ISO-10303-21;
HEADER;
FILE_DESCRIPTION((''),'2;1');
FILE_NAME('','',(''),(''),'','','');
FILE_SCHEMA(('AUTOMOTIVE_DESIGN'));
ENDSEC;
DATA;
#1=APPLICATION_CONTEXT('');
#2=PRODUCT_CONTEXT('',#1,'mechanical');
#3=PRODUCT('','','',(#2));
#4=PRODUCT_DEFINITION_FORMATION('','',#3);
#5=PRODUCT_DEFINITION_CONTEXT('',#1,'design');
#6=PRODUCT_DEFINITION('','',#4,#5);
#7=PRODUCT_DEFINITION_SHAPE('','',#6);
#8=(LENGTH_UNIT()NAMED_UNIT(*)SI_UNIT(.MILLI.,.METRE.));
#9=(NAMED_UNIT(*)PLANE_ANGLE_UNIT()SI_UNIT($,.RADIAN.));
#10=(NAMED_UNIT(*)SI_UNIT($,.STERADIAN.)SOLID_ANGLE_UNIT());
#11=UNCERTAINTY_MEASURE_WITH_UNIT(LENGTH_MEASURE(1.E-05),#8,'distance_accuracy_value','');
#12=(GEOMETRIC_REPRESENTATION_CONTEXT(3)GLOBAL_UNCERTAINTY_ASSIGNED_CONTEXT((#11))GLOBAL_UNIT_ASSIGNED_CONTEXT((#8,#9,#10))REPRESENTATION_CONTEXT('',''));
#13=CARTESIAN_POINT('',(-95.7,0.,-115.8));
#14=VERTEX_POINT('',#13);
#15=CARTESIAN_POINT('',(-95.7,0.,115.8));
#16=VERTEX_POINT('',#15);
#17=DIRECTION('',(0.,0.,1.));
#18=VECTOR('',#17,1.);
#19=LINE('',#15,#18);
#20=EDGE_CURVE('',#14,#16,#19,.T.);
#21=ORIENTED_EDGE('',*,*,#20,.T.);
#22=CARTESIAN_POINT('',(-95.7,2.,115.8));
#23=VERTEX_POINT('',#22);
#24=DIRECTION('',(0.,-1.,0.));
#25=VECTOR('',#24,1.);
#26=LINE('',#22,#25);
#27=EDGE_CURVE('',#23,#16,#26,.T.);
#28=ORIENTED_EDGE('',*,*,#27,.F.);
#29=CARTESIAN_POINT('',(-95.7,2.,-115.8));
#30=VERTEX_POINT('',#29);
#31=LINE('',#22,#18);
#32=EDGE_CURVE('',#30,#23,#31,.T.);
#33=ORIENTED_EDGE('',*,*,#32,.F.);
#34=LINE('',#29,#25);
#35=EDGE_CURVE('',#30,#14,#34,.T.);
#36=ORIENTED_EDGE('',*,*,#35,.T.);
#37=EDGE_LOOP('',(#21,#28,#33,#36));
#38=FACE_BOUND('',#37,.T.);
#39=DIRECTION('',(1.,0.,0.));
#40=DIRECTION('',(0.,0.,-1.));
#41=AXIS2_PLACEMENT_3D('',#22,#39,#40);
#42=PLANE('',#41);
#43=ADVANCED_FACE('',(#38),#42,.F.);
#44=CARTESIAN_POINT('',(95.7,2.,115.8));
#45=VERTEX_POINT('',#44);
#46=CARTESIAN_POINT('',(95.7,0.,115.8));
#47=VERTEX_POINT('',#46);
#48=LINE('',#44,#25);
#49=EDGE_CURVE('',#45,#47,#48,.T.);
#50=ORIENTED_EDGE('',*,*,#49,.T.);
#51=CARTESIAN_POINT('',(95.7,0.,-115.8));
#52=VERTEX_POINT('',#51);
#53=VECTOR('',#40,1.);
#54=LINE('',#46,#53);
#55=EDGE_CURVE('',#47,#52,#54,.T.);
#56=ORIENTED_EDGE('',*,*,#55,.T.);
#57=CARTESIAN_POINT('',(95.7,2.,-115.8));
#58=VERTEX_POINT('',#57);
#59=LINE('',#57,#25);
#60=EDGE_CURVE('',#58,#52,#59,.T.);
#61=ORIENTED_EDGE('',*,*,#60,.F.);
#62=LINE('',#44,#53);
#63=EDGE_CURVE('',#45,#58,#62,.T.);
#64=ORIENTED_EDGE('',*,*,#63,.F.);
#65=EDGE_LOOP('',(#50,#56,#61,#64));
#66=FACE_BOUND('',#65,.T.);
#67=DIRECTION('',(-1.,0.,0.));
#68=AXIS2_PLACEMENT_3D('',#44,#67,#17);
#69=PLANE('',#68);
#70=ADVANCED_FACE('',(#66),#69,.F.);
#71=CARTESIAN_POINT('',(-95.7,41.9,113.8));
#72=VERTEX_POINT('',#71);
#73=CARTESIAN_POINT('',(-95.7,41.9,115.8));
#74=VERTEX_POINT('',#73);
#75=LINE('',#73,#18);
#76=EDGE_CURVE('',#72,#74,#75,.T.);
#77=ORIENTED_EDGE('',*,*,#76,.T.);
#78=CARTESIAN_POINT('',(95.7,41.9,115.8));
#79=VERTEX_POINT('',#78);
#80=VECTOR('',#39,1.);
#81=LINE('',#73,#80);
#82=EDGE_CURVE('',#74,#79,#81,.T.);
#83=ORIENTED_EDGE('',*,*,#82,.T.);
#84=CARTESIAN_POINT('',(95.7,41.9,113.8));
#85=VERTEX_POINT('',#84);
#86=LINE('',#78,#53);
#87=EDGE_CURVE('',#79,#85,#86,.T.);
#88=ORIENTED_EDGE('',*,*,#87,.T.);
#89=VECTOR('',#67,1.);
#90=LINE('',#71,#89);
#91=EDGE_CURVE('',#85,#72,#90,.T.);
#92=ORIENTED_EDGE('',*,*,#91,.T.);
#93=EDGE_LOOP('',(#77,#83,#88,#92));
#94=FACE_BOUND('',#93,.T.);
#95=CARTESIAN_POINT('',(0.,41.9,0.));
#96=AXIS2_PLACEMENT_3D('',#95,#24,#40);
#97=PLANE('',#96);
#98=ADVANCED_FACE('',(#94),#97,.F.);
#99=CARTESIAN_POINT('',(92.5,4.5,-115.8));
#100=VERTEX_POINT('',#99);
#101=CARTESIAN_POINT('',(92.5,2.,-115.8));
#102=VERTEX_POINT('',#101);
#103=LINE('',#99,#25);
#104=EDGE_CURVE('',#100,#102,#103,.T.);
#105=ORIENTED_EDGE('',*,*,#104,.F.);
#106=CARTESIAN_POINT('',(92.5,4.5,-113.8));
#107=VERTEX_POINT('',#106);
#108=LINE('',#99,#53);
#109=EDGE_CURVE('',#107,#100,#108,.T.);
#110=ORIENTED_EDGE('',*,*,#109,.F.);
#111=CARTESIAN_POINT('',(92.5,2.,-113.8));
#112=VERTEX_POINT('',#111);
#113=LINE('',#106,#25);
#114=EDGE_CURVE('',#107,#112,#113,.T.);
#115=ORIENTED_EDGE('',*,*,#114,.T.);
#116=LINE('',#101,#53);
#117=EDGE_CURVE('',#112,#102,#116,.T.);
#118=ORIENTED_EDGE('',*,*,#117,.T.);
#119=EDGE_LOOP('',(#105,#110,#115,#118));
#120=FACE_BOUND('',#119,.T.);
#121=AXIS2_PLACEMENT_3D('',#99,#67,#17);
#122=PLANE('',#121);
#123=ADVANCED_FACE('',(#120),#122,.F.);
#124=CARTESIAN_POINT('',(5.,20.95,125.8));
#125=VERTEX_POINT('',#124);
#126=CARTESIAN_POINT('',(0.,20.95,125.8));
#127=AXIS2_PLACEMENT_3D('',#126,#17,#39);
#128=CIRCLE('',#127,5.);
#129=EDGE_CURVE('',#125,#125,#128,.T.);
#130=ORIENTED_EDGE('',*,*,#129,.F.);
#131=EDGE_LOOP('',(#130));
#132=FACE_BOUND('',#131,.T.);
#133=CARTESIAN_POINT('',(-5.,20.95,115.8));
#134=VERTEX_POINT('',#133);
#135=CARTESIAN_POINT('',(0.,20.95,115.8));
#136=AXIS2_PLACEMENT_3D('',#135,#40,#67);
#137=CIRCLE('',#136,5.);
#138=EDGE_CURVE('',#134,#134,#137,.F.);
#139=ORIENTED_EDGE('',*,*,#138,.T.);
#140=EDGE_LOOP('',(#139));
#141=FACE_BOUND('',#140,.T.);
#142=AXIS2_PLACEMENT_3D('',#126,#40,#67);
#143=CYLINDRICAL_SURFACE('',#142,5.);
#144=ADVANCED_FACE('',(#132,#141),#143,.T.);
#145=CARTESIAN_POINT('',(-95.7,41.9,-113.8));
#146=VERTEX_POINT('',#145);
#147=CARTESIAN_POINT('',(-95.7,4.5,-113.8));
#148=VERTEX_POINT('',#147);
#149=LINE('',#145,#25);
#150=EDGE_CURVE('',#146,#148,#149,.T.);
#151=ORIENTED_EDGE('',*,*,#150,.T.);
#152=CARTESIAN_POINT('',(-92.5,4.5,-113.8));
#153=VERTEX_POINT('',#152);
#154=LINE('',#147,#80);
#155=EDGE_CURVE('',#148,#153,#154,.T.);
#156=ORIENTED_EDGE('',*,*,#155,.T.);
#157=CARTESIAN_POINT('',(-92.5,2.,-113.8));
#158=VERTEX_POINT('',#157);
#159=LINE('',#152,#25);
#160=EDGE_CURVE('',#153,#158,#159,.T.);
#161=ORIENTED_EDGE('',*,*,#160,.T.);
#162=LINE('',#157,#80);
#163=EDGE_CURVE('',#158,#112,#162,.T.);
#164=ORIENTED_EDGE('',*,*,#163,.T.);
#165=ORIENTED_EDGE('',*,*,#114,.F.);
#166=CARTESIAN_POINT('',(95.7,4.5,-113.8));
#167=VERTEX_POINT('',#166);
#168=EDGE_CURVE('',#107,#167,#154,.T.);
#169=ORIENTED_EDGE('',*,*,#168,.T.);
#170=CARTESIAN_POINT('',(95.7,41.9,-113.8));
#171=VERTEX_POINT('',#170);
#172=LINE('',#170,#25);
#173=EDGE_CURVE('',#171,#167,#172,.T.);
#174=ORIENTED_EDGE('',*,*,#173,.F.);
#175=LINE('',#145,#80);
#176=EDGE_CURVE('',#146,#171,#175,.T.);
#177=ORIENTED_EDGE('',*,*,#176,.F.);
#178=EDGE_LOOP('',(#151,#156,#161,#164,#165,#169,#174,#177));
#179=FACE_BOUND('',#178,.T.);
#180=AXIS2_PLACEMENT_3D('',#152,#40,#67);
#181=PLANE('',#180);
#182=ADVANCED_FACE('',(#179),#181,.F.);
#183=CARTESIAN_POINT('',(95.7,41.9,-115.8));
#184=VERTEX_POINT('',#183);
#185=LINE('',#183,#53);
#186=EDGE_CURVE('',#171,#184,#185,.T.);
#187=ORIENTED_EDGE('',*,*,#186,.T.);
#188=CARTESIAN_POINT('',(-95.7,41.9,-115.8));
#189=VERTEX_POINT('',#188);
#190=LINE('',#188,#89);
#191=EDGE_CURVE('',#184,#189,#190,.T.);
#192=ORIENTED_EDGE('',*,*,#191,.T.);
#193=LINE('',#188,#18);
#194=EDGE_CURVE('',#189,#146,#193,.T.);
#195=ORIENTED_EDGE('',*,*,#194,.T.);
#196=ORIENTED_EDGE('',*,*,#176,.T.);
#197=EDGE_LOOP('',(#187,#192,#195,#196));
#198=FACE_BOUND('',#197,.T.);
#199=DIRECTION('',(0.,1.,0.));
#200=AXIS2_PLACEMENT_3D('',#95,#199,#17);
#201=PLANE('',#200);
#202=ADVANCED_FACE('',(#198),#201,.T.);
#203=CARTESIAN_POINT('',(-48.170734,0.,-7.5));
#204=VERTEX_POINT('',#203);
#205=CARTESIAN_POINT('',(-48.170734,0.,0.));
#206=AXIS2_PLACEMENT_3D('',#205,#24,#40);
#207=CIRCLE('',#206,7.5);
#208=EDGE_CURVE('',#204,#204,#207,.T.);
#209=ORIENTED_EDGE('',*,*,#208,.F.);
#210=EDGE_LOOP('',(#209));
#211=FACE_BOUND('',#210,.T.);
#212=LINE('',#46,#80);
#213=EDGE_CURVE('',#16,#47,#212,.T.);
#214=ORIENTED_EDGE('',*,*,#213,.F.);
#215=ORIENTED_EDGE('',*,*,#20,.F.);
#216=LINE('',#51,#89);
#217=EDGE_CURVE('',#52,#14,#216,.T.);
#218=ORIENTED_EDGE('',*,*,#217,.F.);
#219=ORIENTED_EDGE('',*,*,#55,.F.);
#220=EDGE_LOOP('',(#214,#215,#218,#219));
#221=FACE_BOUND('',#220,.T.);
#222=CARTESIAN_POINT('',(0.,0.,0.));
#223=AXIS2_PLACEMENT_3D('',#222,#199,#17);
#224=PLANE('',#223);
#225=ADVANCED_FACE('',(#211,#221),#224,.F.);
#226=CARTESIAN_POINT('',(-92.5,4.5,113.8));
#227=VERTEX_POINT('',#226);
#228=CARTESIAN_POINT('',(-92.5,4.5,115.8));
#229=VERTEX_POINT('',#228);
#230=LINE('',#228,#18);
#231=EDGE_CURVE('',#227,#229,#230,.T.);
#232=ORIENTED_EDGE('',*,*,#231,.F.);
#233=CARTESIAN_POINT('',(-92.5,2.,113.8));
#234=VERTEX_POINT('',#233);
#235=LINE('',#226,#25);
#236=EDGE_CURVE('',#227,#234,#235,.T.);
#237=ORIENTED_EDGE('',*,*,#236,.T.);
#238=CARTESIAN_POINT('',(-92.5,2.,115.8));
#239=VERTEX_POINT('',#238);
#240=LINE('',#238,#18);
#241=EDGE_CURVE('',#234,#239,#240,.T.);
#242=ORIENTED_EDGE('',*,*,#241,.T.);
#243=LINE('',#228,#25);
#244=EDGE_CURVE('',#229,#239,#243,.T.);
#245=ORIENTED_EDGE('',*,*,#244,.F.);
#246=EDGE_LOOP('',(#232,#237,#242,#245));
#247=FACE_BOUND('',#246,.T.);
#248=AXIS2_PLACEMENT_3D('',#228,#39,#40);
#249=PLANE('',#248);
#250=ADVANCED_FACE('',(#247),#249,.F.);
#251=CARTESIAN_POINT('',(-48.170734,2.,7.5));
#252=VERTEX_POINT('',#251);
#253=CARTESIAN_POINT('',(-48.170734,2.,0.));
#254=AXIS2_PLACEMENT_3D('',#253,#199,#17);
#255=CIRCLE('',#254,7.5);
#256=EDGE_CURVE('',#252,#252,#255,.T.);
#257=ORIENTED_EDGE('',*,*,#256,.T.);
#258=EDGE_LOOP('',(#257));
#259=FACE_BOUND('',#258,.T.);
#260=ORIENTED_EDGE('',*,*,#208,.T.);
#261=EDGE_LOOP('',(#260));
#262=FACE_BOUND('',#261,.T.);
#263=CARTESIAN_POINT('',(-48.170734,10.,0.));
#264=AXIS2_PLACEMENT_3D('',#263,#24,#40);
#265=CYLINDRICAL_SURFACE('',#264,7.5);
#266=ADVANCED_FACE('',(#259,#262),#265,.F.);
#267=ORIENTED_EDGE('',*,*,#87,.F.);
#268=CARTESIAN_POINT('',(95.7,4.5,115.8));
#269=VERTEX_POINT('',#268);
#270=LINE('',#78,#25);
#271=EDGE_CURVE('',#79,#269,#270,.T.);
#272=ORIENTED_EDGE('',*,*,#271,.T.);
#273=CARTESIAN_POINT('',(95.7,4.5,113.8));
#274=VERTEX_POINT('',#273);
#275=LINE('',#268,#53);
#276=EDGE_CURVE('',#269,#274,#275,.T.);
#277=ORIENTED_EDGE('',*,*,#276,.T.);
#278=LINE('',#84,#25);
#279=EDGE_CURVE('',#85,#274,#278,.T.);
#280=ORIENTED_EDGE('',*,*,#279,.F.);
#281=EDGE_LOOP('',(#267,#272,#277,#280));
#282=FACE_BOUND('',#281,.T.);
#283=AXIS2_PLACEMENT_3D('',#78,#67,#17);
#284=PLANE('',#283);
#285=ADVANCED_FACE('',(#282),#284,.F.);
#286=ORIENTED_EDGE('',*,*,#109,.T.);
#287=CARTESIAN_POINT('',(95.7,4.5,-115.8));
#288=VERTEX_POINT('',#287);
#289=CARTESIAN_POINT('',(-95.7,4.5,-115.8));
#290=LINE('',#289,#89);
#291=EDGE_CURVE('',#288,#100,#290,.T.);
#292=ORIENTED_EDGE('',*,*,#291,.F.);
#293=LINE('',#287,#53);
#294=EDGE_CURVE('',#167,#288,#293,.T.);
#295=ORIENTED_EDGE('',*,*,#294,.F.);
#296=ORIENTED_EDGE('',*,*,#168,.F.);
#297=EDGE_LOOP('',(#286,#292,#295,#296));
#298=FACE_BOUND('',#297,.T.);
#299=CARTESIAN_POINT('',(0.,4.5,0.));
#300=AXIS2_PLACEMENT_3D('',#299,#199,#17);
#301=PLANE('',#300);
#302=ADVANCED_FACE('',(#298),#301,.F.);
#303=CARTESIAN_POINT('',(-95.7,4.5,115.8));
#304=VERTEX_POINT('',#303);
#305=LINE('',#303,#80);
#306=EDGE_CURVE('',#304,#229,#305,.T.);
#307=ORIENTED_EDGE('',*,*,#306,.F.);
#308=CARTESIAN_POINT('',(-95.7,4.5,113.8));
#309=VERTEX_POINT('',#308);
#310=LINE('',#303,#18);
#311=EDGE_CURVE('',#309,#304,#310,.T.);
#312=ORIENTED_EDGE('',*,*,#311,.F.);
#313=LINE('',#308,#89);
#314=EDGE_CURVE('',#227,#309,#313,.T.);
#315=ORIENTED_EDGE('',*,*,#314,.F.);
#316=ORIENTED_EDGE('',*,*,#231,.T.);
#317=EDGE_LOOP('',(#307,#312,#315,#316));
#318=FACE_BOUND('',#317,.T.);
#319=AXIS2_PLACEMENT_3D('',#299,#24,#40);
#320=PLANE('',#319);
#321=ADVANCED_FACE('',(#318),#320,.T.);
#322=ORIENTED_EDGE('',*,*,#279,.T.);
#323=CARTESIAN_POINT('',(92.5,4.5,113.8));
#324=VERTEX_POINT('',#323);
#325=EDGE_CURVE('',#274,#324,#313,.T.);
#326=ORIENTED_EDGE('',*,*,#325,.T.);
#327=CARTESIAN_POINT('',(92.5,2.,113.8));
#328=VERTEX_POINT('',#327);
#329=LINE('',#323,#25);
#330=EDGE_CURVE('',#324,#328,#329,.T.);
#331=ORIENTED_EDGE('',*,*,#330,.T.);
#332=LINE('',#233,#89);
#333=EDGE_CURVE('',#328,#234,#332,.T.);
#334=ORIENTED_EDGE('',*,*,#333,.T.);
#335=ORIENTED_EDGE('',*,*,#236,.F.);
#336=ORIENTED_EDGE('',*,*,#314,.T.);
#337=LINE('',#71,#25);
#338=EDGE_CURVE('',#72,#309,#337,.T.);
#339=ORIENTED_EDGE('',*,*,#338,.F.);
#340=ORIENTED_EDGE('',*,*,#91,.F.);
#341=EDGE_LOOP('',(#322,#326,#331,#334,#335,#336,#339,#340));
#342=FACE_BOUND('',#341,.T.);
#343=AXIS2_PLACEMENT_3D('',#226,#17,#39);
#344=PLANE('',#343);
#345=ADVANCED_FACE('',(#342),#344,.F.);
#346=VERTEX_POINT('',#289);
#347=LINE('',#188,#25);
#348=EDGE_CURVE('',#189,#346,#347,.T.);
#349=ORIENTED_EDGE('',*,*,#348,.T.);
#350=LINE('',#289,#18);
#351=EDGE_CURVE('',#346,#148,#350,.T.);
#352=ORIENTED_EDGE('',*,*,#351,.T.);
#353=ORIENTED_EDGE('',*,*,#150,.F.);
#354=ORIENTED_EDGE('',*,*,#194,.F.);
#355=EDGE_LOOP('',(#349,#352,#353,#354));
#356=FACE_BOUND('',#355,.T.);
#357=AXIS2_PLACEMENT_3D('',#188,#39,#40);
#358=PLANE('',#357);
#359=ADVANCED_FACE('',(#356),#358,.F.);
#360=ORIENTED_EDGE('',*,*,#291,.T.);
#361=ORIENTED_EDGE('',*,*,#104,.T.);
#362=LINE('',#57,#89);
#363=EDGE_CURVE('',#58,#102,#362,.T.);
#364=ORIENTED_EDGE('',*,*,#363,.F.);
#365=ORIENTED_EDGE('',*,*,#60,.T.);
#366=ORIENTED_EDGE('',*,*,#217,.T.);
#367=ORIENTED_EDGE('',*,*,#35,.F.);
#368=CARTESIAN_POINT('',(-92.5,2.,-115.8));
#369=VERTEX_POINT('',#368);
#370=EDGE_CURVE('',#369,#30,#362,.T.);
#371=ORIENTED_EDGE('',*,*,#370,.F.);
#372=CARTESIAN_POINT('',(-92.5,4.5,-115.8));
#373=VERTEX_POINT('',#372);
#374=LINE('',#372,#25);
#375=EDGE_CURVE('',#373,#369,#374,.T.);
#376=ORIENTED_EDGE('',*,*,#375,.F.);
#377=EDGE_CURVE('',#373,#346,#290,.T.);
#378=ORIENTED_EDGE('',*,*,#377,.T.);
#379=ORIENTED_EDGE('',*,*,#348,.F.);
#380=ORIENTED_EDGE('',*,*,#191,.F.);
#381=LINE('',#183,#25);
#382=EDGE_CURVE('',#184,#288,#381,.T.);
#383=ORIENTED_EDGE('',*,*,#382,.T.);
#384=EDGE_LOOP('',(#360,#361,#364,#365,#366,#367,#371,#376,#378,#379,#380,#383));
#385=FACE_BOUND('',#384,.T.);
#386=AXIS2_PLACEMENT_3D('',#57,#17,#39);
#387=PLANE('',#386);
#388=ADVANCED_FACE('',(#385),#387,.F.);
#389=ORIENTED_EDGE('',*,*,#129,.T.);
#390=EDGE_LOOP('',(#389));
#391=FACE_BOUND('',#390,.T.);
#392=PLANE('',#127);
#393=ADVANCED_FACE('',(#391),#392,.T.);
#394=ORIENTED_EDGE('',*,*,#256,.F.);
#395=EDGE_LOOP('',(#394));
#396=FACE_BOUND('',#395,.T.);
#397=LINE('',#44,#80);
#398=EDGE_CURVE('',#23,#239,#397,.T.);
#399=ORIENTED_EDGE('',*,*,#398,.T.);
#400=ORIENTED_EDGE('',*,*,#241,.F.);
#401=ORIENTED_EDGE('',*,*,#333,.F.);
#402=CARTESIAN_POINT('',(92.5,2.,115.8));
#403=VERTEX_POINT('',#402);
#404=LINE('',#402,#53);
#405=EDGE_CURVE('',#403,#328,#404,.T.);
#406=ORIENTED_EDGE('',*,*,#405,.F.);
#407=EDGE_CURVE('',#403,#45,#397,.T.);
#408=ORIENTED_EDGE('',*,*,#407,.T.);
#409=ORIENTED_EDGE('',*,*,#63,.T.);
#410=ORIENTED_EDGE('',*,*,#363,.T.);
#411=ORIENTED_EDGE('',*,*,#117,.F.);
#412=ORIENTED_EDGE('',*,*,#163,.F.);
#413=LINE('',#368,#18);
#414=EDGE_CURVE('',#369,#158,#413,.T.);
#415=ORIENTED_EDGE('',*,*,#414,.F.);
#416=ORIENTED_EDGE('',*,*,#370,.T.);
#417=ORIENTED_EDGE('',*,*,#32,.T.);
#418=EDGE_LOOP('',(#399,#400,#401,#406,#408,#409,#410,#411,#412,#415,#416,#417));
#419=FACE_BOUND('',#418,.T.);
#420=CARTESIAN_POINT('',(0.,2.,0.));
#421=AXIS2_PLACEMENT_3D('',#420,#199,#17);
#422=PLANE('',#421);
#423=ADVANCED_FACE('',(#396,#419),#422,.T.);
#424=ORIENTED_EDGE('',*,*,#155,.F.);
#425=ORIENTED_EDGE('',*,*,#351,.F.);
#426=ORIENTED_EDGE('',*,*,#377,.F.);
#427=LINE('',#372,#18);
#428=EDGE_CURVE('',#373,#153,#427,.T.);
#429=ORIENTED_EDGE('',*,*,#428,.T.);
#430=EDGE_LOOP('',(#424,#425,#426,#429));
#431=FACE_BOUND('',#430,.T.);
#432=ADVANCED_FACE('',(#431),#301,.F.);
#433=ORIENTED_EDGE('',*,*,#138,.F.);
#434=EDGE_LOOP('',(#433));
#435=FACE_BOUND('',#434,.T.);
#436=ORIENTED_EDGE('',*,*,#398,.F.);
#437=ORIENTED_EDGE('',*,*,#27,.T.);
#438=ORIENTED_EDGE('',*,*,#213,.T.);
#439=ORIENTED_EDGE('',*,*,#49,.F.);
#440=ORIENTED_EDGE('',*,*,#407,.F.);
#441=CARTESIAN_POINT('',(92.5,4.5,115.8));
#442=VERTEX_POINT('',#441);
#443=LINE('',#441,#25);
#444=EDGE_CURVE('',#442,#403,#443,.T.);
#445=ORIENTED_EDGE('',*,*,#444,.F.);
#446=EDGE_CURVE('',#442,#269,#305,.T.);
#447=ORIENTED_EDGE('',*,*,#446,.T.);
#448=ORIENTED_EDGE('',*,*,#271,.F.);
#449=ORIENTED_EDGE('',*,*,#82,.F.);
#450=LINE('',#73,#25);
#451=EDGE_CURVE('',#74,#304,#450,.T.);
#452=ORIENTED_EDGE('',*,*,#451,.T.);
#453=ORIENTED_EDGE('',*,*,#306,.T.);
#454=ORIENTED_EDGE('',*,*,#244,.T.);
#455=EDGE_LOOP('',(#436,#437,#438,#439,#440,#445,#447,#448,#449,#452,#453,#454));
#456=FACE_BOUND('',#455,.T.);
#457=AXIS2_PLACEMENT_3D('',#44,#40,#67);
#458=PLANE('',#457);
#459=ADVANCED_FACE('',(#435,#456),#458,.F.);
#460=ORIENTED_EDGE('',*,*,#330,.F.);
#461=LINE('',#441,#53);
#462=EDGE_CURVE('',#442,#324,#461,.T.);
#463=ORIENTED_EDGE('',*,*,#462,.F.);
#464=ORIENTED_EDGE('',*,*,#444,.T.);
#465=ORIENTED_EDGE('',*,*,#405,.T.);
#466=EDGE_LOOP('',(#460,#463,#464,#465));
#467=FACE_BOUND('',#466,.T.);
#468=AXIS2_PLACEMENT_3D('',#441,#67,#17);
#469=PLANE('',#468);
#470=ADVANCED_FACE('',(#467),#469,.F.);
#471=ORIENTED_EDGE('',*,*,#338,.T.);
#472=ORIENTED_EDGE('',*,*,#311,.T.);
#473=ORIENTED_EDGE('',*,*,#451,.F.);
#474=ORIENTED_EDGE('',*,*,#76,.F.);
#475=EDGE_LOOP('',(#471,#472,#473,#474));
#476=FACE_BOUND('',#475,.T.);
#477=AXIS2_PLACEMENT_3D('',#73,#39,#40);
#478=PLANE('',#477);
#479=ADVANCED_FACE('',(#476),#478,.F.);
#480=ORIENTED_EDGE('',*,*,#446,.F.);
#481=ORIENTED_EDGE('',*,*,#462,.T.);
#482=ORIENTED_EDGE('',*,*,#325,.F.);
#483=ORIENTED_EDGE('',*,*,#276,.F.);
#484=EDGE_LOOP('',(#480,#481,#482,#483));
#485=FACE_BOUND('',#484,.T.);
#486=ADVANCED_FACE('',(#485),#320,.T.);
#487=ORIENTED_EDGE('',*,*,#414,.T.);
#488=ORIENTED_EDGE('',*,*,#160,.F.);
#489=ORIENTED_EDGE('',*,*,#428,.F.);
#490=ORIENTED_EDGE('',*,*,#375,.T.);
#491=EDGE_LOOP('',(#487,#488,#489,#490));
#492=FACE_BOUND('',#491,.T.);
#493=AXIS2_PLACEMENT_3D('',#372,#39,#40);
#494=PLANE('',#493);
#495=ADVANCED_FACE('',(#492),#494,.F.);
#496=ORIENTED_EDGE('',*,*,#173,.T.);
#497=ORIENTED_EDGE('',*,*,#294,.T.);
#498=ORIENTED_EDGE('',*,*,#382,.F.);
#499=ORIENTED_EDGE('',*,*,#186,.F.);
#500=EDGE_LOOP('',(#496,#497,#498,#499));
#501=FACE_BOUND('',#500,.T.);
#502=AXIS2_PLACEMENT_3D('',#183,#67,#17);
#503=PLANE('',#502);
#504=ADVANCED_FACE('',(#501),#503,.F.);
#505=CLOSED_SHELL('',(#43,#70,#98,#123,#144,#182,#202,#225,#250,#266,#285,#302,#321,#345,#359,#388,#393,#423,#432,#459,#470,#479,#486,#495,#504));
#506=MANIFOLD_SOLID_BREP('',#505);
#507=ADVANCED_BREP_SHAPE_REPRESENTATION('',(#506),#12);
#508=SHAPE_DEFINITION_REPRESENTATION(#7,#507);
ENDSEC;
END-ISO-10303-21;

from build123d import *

# Parameters (mm, degrees)
SKETCH_2_W         = 191.4
SKETCH_2_H         = 231.6
EXTRUDE_1_DEPTH    = 2
SKETCH_3_W         = 185
SKETCH_3_H         = 2
EXTRUDE_2_DEPTH    = 2.5
SKETCH_4_W         = 191.4
SKETCH_4_H         = 2
EXTRUDE_3_DEPTH    = 37.4
SKETCH_7_R         = 5
EXTRUDE_5_DEPTH    = 10
SKETCH1_R          = 7.5
CUT_EXTRUDE1_DEPTH = 10


with BuildPart() as part:
    # 草图2 → 凸台-拉伸1 (new body)
    with BuildSketch(Plane(origin=(0, 0, 0), x_dir=(1, 0, 0), z_dir=(0, 1, 0))):
        Rectangle(SKETCH_2_W, SKETCH_2_H)
    extrude(amount=EXTRUDE_1_DEPTH)

    # 草图3 → 凸台-拉伸2 (add)
    with BuildSketch(Plane(origin=(0, 2, 0), x_dir=(1, 0, 0), z_dir=(0, 1, 0))):
        with Locations((0, 114.8)):
            Rectangle(SKETCH_3_W, SKETCH_3_H)
        with Locations((0, -114.8)):
            Rectangle(SKETCH_3_W, SKETCH_3_H)
    extrude(amount=EXTRUDE_2_DEPTH)

    # 草图4 → 凸台-拉伸3 (add)
    with BuildSketch(Plane(origin=(0, 4.5, 0), x_dir=(1, 0, 0), z_dir=(0, 1, 0))):
        with Locations((0, 114.8)):
            Rectangle(SKETCH_4_W, SKETCH_4_H)
        with Locations((0, -114.8)):
            Rectangle(SKETCH_4_W, SKETCH_4_H)
    extrude(amount=EXTRUDE_3_DEPTH)

    # 草图7 → 凸台-拉伸5 (add)
    with BuildSketch(Plane.XY.offset(115.8)):
        with Locations(Location((0, 20.95, 0), (0, 0, 180))):
            Circle(SKETCH_7_R)
    extrude(amount=EXTRUDE_5_DEPTH)

    # Sketch1 → Cut-Extrude1 (cut)
    with BuildSketch(Plane.XZ):
        with Locations(Location((-48.170733531, 0, 0), (0, 0, 270))):
            Circle(SKETCH1_R)
    extrude(amount=-CUT_EXTRUDE1_DEPTH, mode=Mode.SUBTRACT)


solid = part.part
